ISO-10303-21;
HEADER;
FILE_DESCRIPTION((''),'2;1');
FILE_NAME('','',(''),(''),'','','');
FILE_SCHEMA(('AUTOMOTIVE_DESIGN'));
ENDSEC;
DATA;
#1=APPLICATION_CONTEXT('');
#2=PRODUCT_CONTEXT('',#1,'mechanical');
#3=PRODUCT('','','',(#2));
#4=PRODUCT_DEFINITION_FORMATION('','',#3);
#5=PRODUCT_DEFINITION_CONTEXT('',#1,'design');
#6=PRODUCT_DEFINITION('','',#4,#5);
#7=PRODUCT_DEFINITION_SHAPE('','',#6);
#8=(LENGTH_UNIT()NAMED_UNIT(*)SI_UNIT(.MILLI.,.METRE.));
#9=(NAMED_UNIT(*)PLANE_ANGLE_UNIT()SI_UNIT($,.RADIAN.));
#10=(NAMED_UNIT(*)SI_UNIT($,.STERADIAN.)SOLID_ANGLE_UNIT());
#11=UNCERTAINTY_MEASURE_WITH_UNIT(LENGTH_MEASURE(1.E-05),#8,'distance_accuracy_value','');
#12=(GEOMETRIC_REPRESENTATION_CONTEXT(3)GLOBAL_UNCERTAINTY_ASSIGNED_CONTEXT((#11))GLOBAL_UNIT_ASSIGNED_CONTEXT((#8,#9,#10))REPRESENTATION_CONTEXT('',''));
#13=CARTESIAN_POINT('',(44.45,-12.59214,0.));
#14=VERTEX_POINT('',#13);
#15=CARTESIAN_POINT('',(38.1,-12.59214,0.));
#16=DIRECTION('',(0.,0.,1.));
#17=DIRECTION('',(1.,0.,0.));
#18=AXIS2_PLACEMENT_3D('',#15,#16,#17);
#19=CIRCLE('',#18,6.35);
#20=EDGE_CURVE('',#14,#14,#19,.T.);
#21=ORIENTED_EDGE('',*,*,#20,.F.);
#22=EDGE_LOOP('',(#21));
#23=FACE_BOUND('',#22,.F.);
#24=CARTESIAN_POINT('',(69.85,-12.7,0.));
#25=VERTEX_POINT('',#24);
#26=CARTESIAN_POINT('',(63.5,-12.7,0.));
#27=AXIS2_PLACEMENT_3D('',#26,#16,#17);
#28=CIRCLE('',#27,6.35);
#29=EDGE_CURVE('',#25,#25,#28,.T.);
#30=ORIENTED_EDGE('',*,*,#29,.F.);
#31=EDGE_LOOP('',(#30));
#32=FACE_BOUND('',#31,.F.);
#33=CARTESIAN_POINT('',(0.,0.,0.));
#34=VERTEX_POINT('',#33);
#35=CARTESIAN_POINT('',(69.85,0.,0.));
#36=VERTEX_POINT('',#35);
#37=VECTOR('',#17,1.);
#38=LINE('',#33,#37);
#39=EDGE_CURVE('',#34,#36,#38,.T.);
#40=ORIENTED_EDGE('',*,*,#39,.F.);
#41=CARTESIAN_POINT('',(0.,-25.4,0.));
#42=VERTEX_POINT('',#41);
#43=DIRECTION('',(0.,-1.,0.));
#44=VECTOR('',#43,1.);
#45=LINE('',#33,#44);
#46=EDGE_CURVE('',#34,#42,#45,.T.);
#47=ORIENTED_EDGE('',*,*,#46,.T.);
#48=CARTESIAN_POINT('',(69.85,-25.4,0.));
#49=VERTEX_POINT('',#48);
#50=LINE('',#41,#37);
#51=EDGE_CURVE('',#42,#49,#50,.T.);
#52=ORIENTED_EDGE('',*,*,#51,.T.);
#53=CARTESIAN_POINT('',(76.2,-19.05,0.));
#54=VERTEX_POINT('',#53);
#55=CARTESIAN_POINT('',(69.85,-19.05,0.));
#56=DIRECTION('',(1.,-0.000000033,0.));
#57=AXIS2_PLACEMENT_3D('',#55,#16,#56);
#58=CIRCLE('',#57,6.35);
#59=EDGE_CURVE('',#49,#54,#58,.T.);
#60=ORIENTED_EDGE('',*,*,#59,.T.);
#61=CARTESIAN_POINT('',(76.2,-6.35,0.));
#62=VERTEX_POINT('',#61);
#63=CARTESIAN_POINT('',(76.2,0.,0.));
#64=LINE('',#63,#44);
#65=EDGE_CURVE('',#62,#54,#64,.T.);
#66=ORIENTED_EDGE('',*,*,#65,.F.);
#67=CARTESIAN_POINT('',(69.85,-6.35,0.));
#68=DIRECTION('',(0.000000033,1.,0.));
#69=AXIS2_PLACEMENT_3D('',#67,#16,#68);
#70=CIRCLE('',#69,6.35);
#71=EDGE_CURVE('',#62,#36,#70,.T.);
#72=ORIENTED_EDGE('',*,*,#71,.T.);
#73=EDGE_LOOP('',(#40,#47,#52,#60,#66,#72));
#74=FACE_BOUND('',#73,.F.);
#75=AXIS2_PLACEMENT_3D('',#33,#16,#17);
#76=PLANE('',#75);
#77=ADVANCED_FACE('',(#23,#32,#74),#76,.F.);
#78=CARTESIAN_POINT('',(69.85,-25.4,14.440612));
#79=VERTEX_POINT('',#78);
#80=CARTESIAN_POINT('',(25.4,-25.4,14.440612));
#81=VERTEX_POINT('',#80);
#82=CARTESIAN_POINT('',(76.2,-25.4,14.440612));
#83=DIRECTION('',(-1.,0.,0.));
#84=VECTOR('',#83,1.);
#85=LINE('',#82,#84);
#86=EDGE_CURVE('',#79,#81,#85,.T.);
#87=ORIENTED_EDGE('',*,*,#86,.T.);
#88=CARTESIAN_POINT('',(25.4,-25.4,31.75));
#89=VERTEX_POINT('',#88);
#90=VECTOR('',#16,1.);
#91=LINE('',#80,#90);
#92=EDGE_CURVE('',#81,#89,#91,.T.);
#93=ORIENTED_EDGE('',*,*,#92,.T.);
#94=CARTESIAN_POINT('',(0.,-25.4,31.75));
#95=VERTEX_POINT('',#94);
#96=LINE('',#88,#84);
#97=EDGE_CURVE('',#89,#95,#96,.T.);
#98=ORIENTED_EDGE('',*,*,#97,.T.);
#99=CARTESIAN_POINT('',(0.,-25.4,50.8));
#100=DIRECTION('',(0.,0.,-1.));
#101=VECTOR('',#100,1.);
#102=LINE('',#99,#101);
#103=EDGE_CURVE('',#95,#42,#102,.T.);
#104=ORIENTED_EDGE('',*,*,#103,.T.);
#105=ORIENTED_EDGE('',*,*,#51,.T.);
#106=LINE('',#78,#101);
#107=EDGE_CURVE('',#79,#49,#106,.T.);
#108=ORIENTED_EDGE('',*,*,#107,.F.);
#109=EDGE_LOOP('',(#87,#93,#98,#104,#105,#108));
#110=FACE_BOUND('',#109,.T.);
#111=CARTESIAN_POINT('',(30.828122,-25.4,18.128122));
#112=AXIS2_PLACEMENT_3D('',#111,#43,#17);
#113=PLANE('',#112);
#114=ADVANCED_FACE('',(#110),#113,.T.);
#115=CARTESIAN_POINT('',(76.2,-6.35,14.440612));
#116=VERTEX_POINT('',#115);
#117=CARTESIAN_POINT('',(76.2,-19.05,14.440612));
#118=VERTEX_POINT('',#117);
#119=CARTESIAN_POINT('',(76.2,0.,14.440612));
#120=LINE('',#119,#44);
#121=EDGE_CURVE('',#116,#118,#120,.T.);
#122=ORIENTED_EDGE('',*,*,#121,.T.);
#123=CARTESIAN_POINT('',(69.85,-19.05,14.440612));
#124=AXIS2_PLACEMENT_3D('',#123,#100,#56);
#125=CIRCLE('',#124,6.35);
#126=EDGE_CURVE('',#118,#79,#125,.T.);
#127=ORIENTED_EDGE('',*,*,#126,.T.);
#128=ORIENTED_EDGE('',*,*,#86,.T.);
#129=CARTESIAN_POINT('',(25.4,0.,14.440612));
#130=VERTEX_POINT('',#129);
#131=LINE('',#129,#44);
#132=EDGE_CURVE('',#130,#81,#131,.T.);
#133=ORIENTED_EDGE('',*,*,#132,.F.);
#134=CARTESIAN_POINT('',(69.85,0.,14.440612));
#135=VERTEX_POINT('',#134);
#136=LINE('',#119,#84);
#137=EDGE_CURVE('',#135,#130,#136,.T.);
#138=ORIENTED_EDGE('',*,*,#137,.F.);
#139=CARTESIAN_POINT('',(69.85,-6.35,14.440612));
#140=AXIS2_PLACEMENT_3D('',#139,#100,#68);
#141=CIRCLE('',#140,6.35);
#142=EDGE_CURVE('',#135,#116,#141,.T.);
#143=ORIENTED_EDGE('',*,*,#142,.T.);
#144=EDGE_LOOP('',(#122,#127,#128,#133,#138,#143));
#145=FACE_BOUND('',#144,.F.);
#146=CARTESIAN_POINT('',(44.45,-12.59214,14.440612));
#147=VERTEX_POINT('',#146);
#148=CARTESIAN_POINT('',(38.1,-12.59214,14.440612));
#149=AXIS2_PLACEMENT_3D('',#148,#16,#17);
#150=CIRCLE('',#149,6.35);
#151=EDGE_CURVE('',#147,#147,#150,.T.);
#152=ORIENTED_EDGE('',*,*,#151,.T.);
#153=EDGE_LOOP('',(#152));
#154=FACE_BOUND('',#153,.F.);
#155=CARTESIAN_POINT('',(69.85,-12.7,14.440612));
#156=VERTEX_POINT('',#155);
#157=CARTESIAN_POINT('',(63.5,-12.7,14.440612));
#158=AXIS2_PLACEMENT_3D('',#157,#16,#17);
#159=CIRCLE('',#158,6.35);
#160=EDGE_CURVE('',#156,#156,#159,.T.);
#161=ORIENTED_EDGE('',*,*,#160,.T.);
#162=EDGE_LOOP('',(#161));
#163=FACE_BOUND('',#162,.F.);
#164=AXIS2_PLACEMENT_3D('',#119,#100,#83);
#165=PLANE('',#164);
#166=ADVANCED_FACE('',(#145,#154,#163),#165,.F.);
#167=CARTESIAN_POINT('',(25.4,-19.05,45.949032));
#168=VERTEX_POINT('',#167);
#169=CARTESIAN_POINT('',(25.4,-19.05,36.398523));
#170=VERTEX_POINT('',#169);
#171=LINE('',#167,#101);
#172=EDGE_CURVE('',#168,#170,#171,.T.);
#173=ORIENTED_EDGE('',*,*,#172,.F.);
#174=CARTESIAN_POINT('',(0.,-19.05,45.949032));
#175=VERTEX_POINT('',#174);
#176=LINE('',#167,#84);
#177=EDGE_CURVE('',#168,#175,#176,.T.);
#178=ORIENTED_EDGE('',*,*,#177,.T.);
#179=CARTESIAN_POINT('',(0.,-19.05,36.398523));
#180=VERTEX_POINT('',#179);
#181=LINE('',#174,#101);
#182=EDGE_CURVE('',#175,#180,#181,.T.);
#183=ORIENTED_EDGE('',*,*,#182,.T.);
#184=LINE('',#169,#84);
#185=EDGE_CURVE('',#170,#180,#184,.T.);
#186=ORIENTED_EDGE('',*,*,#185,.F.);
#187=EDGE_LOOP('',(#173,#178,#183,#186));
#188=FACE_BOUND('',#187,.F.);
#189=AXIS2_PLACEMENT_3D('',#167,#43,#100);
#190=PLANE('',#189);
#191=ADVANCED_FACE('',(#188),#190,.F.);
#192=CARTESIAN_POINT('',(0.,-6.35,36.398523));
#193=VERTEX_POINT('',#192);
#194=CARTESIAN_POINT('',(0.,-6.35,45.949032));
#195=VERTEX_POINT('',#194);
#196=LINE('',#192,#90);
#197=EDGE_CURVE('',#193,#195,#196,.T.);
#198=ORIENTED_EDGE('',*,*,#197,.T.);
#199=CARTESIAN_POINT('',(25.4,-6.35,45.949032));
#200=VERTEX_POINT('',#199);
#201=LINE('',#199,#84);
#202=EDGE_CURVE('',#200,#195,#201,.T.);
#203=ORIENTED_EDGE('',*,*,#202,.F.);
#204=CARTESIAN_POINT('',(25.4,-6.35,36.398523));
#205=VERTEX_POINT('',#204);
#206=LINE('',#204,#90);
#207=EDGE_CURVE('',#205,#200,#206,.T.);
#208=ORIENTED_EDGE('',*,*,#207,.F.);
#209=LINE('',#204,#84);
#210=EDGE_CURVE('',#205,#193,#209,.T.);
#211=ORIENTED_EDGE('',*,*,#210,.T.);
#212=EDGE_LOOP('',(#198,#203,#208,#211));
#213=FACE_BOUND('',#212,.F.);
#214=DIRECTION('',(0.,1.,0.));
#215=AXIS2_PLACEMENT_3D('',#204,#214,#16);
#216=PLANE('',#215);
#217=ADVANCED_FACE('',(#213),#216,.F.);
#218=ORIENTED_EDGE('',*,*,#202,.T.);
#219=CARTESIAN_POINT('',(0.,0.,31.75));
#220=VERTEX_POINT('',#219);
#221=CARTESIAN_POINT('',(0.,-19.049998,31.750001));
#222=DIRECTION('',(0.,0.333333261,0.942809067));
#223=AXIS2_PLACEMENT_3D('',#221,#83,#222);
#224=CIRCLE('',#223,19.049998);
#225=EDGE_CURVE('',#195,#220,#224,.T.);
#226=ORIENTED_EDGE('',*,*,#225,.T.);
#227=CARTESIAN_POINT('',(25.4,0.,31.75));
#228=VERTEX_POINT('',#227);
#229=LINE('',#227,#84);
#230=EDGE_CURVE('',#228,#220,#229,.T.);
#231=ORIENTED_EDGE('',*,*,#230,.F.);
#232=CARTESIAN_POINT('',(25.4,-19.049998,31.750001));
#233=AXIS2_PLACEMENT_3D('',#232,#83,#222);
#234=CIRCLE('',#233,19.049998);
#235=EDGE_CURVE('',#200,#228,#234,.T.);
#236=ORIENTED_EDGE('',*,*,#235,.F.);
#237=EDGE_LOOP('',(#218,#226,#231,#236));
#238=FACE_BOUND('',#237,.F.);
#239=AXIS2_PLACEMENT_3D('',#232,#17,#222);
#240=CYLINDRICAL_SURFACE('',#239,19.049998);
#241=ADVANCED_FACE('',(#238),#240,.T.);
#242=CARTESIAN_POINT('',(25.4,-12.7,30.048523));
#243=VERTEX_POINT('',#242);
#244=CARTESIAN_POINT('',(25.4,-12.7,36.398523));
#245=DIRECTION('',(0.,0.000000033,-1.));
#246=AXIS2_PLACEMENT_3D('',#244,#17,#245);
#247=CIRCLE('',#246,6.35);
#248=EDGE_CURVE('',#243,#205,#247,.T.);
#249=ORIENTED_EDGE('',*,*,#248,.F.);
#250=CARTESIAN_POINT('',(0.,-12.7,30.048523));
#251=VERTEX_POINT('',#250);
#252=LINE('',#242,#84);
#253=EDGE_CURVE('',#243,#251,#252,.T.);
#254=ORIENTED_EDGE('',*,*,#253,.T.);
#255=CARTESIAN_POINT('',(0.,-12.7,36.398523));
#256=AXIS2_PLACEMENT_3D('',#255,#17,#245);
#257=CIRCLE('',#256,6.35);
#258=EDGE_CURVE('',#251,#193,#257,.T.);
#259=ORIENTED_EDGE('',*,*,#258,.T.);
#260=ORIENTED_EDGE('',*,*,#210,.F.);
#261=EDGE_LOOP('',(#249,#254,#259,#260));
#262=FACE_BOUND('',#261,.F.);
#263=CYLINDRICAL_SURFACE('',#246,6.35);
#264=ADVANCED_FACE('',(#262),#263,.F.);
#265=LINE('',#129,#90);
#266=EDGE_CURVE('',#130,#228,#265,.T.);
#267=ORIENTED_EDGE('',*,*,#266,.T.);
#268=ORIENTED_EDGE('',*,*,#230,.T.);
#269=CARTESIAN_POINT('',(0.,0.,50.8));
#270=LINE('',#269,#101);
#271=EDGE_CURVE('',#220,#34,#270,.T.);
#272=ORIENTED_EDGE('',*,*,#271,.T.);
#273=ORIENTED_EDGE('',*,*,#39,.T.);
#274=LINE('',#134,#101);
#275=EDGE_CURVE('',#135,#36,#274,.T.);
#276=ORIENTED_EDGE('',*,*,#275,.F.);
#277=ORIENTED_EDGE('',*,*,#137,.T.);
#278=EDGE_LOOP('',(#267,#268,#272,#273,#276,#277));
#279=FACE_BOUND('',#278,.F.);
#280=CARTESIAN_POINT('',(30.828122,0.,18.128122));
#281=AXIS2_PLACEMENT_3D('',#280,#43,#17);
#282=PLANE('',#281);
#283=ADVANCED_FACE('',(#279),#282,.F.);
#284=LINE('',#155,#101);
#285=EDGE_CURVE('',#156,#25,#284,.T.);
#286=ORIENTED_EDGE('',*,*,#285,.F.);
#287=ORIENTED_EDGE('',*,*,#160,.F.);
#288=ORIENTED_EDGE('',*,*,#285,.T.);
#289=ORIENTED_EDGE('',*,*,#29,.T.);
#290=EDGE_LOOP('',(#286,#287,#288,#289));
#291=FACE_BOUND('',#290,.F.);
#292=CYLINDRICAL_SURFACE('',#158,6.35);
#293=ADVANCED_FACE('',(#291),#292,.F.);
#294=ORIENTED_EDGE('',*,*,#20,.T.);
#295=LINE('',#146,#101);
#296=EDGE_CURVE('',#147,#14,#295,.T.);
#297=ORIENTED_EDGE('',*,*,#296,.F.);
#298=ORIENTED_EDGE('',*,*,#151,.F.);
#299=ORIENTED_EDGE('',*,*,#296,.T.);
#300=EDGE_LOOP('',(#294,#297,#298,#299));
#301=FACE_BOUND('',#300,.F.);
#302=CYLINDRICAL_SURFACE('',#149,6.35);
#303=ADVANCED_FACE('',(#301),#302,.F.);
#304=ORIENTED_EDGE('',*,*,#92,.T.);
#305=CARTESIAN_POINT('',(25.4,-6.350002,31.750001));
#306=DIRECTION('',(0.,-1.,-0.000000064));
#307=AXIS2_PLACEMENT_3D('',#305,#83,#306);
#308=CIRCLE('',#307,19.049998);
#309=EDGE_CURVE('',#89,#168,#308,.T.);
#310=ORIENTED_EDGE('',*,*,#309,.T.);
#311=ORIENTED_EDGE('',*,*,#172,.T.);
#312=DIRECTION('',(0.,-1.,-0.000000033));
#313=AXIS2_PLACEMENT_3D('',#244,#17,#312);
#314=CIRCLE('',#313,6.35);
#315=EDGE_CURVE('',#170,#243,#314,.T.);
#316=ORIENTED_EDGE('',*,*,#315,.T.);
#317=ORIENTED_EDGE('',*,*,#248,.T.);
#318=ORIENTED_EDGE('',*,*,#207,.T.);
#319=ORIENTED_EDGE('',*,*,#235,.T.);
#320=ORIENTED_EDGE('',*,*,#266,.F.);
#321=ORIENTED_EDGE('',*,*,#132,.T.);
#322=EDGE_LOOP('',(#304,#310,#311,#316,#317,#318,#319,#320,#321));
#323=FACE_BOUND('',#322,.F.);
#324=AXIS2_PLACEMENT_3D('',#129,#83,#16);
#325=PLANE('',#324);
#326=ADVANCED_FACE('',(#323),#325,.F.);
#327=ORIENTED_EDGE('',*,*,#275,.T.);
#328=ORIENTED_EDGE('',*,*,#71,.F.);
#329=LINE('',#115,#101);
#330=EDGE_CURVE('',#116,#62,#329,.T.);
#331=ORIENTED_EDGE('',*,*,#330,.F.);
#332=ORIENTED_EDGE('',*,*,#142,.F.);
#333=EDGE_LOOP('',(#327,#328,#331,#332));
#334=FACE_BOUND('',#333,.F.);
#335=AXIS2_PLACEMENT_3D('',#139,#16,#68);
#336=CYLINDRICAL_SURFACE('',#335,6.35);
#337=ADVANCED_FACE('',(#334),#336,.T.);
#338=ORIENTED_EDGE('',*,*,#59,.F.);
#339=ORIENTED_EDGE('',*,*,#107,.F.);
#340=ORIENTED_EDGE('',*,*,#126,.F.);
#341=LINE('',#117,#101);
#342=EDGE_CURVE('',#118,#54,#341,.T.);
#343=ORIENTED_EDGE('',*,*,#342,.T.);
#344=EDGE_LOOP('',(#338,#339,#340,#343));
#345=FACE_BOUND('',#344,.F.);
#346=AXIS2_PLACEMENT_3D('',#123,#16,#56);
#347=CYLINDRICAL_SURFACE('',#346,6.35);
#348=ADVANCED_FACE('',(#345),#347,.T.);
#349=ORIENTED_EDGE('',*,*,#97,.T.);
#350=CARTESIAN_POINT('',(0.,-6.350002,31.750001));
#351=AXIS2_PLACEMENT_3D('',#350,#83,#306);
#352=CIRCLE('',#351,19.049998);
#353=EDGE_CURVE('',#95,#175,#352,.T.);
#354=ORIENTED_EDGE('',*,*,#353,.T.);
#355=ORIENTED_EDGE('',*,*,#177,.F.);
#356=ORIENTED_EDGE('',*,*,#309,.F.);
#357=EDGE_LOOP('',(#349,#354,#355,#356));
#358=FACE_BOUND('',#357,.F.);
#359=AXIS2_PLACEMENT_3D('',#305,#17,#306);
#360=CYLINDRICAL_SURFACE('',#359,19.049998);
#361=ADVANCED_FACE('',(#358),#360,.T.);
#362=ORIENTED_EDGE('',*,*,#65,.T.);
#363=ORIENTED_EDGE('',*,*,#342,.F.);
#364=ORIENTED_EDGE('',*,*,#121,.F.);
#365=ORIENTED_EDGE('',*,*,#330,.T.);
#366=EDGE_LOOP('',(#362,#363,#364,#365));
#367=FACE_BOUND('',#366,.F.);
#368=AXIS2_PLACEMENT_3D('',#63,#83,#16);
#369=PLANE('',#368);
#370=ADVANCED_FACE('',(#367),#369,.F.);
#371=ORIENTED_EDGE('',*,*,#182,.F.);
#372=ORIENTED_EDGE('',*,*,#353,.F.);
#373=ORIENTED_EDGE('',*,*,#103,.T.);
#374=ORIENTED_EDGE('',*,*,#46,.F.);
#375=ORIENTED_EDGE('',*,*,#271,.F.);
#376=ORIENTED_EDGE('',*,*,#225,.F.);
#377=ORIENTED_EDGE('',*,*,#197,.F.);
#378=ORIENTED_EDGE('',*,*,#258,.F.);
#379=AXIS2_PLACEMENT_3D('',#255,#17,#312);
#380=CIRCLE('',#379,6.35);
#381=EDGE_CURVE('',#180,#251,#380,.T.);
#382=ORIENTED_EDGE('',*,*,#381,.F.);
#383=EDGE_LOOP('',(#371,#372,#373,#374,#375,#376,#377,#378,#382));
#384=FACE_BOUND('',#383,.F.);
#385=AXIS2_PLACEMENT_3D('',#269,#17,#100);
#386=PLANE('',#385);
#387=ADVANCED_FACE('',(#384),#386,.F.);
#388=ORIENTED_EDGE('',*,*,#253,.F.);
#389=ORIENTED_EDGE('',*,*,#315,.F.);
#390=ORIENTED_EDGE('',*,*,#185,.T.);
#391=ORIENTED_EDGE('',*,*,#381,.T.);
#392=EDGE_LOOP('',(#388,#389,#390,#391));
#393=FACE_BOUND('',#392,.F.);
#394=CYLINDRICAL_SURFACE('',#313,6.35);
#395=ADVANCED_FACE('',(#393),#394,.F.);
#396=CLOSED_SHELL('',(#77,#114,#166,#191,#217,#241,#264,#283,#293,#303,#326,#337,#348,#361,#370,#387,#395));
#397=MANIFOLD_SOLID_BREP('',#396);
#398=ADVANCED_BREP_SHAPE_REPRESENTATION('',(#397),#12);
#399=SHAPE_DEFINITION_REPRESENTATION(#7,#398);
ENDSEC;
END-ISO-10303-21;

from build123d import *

# Parameters (mm, degrees)
F1_DEPTH = 25.4
F3_DEPTH = 25.4
F5_DEPTH = 25.4
F6_R     = 6.35
F7_DEPTH = 25.4
F8_R     = 6.35
F9_DEPTH = 25.4


with BuildPart() as f1:
    # F0 (on Front) → F1 (new body)
    with BuildSketch(Plane.XZ):
        Polygon((0, 50.8), (0, 0), (76.2, 0), (76.2, 14.440612), (25.4, 14.440612), (25.4, 50.8), align=None)
    extrude(amount=F1_DEPTH)

    # F2 (on face) → F3 (cut)
    with BuildSketch(Plane.YZ.offset(25.4)):
        with BuildLine():
            Line((-25.4, 50.8), (-25.4, 31.75))
            ThreePointArc((-25.4, 31.75), (-21.90426, 42.748523), (-12.7, 49.710512))
            ThreePointArc((-12.7, 49.710512), (-15.828607, 50.525653), (-19.05, 50.8))
            Line((-19.05, 50.8), (-25.4, 50.8))
        make_face()
        with BuildLine():
            ThreePointArc((-6.35, 50.8), (-9.571393, 50.525653), (-12.7, 49.710512))
            ThreePointArc((-12.7, 49.710512), (-3.49574, 42.748523), (0, 31.75))
            Line((0, 31.75), (0, 50.8))
            Line((0, 50.8), (-6.35, 50.8))
        make_face()
        with BuildLine():
            ThreePointArc((-19.05, 50.8), (-15.828607, 50.525653), (-12.7, 49.710512))
            ThreePointArc((-12.7, 49.710512), (-9.571393, 50.525653), (-6.35, 50.8))
            Line((-6.35, 50.8), (-19.05, 50.8))
        make_face()
    extrude(amount=-F3_DEPTH, mode=Mode.SUBTRACT)

    # F4 (on face) → F5 (cut)
    with BuildSketch(Plane.YZ.offset(25.4)):
        with BuildLine():
            ThreePointArc((-12.7, 49.710512), (-16.058904, 48.140232), (-19.05, 45.949032))
            Line((-19.05, 45.949032), (-19.05, 36.398523))
            ThreePointArc((-19.05, 36.398523), (-17.190128, 31.908395), (-12.7, 30.048523))
            ThreePointArc((-12.7, 30.048523), (-8.209872, 31.908395), (-6.35, 36.398523))
            Line((-6.35, 36.398523), (-6.35, 45.949032))
            ThreePointArc((-6.35, 45.949032), (-9.341096, 48.140232), (-12.7, 49.710512))
        make_face()
    extrude(amount=-F5_DEPTH, mode=Mode.SUBTRACT)

    # F6 (on face) → F7 (cut)
    with BuildSketch(Plane.XY.offset(14.440612)):
        with Locations((38.1, -12.59214)):
            Circle(F6_R)
        with Locations((63.5, -12.7)):
            Circle(F6_R)
    extrude(amount=-F7_DEPTH, mode=Mode.SUBTRACT)

    # F8 (on face) → F9 (cut)
    with BuildSketch(Plane.XY.offset(14.440612)):
        with Locations((38.1, -12.59214)):
            Circle(F8_R)
        with Locations((63.5, -12.7)):
            Circle(F8_R)
        with BuildLine():
            Line((76.2, 0), (69.85, 0))
            ThreePointArc((69.85, 0), (74.340128, -1.859872), (76.2, -6.35))
            Line((76.2, -6.35), (76.2, 0))
        make_face()
        with BuildLine():
            ThreePointArc((76.2, -19.05), (74.340128, -23.540128), (69.85, -25.4))
            Line((69.85, -25.4), (76.2, -25.4))
            Line((76.2, -25.4), (76.2, -19.05))
        make_face()
    extrude(amount=-F9_DEPTH, mode=Mode.SUBTRACT)


solid = f1.part
